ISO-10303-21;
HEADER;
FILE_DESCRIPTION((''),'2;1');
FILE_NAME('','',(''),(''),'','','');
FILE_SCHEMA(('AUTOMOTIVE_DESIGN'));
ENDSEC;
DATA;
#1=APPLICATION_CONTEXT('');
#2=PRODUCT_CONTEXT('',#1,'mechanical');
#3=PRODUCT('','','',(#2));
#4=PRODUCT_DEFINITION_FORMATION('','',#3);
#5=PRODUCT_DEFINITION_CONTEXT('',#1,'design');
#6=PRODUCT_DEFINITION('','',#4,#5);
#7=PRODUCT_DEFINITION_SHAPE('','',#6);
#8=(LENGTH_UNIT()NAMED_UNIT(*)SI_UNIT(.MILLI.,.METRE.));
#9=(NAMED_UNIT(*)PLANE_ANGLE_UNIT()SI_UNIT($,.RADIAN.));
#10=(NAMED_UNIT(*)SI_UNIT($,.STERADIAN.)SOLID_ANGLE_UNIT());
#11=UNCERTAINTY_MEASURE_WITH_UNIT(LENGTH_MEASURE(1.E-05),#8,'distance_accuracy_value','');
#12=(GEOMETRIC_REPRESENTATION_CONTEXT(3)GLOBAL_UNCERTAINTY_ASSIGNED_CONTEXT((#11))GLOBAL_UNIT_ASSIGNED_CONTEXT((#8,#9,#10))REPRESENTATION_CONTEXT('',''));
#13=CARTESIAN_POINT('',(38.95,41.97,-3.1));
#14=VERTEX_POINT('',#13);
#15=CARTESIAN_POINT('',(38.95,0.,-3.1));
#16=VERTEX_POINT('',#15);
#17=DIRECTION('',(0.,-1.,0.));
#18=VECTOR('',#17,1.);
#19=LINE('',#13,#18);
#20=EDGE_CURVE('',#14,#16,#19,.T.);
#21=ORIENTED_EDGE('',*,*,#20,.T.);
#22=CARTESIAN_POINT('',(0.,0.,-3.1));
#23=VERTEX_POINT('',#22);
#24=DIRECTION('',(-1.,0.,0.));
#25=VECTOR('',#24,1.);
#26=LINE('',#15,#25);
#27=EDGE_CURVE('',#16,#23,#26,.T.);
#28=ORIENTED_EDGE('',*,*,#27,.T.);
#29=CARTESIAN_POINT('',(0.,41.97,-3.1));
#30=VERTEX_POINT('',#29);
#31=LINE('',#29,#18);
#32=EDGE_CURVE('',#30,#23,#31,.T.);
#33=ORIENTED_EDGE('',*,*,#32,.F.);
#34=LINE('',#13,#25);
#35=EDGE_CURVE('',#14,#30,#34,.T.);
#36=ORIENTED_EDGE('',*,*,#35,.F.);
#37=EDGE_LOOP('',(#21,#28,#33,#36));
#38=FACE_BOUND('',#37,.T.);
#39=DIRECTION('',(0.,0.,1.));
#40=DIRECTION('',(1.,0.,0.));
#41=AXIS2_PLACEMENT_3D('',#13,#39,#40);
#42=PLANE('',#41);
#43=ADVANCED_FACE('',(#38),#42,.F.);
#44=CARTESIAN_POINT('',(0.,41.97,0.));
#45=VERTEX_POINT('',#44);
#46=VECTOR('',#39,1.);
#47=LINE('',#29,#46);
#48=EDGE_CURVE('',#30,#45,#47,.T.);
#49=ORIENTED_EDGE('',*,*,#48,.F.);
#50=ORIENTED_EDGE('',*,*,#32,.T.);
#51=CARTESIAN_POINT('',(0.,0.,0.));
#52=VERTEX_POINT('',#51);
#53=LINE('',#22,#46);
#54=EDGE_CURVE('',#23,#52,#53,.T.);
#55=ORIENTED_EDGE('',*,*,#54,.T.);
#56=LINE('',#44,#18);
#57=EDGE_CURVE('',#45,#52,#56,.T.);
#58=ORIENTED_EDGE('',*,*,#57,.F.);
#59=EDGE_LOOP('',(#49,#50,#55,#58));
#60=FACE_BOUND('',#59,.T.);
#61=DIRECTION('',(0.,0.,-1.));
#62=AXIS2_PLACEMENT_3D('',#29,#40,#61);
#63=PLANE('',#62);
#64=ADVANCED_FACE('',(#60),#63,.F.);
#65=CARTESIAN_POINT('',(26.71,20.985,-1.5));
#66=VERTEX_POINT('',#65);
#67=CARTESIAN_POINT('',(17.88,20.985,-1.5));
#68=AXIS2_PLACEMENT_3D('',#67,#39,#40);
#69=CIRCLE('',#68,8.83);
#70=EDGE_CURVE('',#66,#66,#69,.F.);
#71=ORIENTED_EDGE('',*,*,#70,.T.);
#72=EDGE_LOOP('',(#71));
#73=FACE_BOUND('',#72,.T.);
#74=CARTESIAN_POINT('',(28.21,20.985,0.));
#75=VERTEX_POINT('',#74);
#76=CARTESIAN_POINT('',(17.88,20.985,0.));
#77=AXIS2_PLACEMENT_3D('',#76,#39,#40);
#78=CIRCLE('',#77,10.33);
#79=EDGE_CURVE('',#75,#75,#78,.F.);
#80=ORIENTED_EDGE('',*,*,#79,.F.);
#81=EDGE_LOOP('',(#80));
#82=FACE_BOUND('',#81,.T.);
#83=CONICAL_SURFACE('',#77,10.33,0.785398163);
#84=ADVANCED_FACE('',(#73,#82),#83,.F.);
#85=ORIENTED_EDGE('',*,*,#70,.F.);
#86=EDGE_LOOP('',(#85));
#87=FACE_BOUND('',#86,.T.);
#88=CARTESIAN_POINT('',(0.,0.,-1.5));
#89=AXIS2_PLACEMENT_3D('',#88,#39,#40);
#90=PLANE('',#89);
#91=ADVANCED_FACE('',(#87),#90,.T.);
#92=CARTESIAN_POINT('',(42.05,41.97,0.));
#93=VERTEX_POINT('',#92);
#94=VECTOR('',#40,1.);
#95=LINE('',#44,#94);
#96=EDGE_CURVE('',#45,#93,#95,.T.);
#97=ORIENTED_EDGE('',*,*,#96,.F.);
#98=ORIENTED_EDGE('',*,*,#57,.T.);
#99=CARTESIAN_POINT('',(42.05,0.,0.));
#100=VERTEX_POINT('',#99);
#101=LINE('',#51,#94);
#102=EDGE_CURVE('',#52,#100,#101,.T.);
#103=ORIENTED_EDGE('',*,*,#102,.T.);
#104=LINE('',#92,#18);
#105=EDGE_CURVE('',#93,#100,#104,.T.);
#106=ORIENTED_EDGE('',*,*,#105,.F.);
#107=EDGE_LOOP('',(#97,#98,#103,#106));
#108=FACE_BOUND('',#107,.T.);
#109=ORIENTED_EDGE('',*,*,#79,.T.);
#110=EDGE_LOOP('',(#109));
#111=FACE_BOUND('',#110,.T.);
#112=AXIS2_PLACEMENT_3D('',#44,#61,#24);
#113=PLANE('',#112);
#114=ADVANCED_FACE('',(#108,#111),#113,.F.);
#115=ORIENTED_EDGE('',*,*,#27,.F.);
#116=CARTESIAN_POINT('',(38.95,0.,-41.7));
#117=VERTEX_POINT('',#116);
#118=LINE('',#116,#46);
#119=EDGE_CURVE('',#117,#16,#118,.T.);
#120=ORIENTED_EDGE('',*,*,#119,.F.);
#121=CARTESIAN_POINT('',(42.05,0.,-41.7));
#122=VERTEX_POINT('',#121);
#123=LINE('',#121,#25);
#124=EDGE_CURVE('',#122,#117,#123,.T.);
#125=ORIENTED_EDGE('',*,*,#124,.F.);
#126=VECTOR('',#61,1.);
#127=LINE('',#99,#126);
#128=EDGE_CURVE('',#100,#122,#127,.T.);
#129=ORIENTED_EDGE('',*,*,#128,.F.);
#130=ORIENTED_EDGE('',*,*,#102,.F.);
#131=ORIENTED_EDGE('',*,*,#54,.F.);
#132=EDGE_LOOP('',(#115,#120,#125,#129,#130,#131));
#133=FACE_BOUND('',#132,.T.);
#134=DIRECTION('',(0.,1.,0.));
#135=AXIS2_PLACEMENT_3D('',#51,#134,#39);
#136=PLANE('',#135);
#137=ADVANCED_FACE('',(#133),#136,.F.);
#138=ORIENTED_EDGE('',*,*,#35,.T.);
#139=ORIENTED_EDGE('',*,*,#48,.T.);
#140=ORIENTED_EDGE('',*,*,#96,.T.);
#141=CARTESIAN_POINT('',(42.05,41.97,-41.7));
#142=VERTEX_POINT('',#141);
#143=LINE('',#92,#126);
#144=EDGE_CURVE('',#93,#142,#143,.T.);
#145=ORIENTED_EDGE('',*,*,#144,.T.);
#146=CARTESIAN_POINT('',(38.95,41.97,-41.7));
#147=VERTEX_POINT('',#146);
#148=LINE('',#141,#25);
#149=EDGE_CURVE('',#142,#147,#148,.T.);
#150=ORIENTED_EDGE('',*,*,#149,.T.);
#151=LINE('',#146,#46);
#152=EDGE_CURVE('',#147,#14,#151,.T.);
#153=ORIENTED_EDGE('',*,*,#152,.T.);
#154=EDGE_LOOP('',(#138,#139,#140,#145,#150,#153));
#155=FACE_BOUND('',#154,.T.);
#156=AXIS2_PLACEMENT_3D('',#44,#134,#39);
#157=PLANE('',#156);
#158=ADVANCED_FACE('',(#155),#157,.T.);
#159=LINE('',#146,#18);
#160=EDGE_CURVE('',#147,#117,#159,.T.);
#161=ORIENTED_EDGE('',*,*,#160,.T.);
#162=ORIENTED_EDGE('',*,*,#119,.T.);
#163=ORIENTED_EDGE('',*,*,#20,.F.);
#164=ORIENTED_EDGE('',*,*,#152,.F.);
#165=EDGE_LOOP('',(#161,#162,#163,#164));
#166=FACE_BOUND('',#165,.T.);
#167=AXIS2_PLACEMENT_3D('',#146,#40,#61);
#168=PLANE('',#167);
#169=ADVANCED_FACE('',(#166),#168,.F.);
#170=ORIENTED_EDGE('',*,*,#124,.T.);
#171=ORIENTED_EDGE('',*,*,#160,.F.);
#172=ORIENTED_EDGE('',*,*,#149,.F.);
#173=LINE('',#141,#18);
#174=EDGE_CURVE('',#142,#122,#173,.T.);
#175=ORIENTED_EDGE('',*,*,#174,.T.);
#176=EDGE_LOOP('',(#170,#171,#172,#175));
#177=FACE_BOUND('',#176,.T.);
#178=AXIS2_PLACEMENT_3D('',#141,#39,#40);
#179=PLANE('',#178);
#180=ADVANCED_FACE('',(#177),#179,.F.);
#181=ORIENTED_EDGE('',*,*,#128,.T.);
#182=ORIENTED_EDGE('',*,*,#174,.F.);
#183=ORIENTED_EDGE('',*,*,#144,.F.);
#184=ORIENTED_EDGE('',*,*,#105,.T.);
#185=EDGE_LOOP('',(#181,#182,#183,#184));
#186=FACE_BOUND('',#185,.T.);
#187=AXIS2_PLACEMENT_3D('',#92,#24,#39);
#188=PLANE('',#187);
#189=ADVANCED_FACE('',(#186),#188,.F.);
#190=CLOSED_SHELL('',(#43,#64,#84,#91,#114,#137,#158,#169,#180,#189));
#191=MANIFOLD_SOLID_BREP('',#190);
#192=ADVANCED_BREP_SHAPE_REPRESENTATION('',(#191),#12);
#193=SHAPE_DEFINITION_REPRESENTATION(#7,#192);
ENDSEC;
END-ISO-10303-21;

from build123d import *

# Parameters (mm, degrees)
BOSS_EXTRUDE1_DEPTH = 41.97
SKETCH2_R           = 10.33
CUT_EXTRUDE2_DEPTH  = 1.5
CUT_EXTRUDE2_TAPER  = 45


with BuildPart() as part:
    # Sketch1 → Boss-Extrude1 (new body)
    with BuildSketch(Plane(origin=(0, 0, 0), x_dir=(1, 0, 0), z_dir=(0, 1, 0))):
        Polygon((0, 0), (42.05, 0), (42.05, 41.7), (38.95, 41.7), (38.95, 3.1), (0, 3.1), align=None)
    extrude(amount=BOSS_EXTRUDE1_DEPTH)

    # Sketch2 → Cut-Extrude2 (cut)
    with BuildSketch(Plane(origin=(42.05, 0, 0), x_dir=(-1, 0, 0), z_dir=(0, 0, -1))):
        with Locations((24.17, 20.985)):
            Circle(SKETCH2_R)
    extrude(amount=CUT_EXTRUDE2_DEPTH, taper=CUT_EXTRUDE2_TAPER, mode=Mode.SUBTRACT)


solid = part.part
